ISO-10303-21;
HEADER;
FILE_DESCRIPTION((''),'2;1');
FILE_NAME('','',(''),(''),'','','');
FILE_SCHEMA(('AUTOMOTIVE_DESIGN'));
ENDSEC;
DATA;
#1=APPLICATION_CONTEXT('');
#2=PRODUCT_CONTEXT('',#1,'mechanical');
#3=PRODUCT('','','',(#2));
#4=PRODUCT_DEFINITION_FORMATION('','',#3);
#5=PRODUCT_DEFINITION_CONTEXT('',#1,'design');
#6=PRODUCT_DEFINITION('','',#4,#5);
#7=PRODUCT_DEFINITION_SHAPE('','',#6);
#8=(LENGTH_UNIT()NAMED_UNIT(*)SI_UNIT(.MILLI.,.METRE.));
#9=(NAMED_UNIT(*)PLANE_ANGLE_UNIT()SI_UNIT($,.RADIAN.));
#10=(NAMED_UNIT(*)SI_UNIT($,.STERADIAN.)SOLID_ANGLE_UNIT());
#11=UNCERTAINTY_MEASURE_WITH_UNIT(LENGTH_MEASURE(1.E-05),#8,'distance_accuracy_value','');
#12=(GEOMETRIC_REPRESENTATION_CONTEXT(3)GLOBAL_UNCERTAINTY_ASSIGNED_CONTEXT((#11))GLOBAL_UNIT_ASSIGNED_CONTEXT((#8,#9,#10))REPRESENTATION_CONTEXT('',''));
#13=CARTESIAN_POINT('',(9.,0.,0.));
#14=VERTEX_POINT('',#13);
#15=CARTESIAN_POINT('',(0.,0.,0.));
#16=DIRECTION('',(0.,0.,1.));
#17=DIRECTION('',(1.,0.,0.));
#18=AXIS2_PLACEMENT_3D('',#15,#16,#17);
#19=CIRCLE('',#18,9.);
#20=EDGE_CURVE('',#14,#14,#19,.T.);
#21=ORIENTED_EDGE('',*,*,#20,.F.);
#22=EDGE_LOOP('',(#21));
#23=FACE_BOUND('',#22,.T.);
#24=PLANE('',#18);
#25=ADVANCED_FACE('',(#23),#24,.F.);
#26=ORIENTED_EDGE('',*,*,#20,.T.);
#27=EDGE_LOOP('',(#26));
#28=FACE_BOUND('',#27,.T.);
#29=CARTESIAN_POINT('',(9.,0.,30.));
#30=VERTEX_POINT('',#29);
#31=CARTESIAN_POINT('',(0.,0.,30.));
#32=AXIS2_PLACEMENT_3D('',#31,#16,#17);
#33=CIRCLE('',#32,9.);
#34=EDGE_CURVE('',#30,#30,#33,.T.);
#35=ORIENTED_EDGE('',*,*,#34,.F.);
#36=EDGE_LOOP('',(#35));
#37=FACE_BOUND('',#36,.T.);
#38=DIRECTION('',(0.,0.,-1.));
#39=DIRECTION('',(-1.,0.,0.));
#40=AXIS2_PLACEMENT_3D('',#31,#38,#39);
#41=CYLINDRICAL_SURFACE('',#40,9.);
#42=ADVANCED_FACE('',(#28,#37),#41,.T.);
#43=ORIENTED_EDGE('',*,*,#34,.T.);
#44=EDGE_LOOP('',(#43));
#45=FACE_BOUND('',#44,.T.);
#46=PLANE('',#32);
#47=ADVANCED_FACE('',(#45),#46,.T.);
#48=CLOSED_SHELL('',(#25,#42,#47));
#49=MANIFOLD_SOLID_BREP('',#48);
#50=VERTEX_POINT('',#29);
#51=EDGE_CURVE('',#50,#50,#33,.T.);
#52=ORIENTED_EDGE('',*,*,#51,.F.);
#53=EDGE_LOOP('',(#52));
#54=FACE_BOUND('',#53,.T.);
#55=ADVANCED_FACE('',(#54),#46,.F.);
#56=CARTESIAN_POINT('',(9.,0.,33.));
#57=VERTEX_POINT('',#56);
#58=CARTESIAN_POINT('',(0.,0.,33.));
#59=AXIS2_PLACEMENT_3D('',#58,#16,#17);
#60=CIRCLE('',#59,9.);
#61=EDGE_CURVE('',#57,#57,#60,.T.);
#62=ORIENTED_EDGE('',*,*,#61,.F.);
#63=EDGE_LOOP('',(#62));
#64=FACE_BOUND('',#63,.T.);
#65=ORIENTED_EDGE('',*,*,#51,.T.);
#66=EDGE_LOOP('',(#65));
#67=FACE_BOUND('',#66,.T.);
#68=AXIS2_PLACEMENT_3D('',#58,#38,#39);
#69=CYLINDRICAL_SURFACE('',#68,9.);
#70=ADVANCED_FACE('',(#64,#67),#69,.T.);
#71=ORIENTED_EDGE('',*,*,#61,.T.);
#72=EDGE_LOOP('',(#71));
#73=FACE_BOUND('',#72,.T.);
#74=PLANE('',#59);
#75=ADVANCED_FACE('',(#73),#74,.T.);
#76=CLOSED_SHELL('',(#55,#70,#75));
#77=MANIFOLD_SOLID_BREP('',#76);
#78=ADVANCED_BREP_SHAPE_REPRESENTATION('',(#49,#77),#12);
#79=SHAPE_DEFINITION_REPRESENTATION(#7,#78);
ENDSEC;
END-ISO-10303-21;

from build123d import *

# Parameters (mm, degrees)
SKETCH1_R           = 9
BOSS_EXTRUDE1_DEPTH = 30
SKETCH2_R           = 9
BOSS_EXTRUDE2_DEPTH = 3


with BuildPart() as part:
    # Sketch1 → Boss-Extrude1 (new body)
    with BuildSketch(Plane.XY):
        Circle(SKETCH1_R)
    extrude(amount=BOSS_EXTRUDE1_DEPTH)


with BuildPart() as body_2:
    # Sketch2 → Boss-Extrude2 (new body)
    with BuildSketch(Plane.XY.offset(30)):
        Circle(SKETCH2_R)
    extrude(amount=BOSS_EXTRUDE2_DEPTH)


solid = Compound([part.part, body_2.part])
